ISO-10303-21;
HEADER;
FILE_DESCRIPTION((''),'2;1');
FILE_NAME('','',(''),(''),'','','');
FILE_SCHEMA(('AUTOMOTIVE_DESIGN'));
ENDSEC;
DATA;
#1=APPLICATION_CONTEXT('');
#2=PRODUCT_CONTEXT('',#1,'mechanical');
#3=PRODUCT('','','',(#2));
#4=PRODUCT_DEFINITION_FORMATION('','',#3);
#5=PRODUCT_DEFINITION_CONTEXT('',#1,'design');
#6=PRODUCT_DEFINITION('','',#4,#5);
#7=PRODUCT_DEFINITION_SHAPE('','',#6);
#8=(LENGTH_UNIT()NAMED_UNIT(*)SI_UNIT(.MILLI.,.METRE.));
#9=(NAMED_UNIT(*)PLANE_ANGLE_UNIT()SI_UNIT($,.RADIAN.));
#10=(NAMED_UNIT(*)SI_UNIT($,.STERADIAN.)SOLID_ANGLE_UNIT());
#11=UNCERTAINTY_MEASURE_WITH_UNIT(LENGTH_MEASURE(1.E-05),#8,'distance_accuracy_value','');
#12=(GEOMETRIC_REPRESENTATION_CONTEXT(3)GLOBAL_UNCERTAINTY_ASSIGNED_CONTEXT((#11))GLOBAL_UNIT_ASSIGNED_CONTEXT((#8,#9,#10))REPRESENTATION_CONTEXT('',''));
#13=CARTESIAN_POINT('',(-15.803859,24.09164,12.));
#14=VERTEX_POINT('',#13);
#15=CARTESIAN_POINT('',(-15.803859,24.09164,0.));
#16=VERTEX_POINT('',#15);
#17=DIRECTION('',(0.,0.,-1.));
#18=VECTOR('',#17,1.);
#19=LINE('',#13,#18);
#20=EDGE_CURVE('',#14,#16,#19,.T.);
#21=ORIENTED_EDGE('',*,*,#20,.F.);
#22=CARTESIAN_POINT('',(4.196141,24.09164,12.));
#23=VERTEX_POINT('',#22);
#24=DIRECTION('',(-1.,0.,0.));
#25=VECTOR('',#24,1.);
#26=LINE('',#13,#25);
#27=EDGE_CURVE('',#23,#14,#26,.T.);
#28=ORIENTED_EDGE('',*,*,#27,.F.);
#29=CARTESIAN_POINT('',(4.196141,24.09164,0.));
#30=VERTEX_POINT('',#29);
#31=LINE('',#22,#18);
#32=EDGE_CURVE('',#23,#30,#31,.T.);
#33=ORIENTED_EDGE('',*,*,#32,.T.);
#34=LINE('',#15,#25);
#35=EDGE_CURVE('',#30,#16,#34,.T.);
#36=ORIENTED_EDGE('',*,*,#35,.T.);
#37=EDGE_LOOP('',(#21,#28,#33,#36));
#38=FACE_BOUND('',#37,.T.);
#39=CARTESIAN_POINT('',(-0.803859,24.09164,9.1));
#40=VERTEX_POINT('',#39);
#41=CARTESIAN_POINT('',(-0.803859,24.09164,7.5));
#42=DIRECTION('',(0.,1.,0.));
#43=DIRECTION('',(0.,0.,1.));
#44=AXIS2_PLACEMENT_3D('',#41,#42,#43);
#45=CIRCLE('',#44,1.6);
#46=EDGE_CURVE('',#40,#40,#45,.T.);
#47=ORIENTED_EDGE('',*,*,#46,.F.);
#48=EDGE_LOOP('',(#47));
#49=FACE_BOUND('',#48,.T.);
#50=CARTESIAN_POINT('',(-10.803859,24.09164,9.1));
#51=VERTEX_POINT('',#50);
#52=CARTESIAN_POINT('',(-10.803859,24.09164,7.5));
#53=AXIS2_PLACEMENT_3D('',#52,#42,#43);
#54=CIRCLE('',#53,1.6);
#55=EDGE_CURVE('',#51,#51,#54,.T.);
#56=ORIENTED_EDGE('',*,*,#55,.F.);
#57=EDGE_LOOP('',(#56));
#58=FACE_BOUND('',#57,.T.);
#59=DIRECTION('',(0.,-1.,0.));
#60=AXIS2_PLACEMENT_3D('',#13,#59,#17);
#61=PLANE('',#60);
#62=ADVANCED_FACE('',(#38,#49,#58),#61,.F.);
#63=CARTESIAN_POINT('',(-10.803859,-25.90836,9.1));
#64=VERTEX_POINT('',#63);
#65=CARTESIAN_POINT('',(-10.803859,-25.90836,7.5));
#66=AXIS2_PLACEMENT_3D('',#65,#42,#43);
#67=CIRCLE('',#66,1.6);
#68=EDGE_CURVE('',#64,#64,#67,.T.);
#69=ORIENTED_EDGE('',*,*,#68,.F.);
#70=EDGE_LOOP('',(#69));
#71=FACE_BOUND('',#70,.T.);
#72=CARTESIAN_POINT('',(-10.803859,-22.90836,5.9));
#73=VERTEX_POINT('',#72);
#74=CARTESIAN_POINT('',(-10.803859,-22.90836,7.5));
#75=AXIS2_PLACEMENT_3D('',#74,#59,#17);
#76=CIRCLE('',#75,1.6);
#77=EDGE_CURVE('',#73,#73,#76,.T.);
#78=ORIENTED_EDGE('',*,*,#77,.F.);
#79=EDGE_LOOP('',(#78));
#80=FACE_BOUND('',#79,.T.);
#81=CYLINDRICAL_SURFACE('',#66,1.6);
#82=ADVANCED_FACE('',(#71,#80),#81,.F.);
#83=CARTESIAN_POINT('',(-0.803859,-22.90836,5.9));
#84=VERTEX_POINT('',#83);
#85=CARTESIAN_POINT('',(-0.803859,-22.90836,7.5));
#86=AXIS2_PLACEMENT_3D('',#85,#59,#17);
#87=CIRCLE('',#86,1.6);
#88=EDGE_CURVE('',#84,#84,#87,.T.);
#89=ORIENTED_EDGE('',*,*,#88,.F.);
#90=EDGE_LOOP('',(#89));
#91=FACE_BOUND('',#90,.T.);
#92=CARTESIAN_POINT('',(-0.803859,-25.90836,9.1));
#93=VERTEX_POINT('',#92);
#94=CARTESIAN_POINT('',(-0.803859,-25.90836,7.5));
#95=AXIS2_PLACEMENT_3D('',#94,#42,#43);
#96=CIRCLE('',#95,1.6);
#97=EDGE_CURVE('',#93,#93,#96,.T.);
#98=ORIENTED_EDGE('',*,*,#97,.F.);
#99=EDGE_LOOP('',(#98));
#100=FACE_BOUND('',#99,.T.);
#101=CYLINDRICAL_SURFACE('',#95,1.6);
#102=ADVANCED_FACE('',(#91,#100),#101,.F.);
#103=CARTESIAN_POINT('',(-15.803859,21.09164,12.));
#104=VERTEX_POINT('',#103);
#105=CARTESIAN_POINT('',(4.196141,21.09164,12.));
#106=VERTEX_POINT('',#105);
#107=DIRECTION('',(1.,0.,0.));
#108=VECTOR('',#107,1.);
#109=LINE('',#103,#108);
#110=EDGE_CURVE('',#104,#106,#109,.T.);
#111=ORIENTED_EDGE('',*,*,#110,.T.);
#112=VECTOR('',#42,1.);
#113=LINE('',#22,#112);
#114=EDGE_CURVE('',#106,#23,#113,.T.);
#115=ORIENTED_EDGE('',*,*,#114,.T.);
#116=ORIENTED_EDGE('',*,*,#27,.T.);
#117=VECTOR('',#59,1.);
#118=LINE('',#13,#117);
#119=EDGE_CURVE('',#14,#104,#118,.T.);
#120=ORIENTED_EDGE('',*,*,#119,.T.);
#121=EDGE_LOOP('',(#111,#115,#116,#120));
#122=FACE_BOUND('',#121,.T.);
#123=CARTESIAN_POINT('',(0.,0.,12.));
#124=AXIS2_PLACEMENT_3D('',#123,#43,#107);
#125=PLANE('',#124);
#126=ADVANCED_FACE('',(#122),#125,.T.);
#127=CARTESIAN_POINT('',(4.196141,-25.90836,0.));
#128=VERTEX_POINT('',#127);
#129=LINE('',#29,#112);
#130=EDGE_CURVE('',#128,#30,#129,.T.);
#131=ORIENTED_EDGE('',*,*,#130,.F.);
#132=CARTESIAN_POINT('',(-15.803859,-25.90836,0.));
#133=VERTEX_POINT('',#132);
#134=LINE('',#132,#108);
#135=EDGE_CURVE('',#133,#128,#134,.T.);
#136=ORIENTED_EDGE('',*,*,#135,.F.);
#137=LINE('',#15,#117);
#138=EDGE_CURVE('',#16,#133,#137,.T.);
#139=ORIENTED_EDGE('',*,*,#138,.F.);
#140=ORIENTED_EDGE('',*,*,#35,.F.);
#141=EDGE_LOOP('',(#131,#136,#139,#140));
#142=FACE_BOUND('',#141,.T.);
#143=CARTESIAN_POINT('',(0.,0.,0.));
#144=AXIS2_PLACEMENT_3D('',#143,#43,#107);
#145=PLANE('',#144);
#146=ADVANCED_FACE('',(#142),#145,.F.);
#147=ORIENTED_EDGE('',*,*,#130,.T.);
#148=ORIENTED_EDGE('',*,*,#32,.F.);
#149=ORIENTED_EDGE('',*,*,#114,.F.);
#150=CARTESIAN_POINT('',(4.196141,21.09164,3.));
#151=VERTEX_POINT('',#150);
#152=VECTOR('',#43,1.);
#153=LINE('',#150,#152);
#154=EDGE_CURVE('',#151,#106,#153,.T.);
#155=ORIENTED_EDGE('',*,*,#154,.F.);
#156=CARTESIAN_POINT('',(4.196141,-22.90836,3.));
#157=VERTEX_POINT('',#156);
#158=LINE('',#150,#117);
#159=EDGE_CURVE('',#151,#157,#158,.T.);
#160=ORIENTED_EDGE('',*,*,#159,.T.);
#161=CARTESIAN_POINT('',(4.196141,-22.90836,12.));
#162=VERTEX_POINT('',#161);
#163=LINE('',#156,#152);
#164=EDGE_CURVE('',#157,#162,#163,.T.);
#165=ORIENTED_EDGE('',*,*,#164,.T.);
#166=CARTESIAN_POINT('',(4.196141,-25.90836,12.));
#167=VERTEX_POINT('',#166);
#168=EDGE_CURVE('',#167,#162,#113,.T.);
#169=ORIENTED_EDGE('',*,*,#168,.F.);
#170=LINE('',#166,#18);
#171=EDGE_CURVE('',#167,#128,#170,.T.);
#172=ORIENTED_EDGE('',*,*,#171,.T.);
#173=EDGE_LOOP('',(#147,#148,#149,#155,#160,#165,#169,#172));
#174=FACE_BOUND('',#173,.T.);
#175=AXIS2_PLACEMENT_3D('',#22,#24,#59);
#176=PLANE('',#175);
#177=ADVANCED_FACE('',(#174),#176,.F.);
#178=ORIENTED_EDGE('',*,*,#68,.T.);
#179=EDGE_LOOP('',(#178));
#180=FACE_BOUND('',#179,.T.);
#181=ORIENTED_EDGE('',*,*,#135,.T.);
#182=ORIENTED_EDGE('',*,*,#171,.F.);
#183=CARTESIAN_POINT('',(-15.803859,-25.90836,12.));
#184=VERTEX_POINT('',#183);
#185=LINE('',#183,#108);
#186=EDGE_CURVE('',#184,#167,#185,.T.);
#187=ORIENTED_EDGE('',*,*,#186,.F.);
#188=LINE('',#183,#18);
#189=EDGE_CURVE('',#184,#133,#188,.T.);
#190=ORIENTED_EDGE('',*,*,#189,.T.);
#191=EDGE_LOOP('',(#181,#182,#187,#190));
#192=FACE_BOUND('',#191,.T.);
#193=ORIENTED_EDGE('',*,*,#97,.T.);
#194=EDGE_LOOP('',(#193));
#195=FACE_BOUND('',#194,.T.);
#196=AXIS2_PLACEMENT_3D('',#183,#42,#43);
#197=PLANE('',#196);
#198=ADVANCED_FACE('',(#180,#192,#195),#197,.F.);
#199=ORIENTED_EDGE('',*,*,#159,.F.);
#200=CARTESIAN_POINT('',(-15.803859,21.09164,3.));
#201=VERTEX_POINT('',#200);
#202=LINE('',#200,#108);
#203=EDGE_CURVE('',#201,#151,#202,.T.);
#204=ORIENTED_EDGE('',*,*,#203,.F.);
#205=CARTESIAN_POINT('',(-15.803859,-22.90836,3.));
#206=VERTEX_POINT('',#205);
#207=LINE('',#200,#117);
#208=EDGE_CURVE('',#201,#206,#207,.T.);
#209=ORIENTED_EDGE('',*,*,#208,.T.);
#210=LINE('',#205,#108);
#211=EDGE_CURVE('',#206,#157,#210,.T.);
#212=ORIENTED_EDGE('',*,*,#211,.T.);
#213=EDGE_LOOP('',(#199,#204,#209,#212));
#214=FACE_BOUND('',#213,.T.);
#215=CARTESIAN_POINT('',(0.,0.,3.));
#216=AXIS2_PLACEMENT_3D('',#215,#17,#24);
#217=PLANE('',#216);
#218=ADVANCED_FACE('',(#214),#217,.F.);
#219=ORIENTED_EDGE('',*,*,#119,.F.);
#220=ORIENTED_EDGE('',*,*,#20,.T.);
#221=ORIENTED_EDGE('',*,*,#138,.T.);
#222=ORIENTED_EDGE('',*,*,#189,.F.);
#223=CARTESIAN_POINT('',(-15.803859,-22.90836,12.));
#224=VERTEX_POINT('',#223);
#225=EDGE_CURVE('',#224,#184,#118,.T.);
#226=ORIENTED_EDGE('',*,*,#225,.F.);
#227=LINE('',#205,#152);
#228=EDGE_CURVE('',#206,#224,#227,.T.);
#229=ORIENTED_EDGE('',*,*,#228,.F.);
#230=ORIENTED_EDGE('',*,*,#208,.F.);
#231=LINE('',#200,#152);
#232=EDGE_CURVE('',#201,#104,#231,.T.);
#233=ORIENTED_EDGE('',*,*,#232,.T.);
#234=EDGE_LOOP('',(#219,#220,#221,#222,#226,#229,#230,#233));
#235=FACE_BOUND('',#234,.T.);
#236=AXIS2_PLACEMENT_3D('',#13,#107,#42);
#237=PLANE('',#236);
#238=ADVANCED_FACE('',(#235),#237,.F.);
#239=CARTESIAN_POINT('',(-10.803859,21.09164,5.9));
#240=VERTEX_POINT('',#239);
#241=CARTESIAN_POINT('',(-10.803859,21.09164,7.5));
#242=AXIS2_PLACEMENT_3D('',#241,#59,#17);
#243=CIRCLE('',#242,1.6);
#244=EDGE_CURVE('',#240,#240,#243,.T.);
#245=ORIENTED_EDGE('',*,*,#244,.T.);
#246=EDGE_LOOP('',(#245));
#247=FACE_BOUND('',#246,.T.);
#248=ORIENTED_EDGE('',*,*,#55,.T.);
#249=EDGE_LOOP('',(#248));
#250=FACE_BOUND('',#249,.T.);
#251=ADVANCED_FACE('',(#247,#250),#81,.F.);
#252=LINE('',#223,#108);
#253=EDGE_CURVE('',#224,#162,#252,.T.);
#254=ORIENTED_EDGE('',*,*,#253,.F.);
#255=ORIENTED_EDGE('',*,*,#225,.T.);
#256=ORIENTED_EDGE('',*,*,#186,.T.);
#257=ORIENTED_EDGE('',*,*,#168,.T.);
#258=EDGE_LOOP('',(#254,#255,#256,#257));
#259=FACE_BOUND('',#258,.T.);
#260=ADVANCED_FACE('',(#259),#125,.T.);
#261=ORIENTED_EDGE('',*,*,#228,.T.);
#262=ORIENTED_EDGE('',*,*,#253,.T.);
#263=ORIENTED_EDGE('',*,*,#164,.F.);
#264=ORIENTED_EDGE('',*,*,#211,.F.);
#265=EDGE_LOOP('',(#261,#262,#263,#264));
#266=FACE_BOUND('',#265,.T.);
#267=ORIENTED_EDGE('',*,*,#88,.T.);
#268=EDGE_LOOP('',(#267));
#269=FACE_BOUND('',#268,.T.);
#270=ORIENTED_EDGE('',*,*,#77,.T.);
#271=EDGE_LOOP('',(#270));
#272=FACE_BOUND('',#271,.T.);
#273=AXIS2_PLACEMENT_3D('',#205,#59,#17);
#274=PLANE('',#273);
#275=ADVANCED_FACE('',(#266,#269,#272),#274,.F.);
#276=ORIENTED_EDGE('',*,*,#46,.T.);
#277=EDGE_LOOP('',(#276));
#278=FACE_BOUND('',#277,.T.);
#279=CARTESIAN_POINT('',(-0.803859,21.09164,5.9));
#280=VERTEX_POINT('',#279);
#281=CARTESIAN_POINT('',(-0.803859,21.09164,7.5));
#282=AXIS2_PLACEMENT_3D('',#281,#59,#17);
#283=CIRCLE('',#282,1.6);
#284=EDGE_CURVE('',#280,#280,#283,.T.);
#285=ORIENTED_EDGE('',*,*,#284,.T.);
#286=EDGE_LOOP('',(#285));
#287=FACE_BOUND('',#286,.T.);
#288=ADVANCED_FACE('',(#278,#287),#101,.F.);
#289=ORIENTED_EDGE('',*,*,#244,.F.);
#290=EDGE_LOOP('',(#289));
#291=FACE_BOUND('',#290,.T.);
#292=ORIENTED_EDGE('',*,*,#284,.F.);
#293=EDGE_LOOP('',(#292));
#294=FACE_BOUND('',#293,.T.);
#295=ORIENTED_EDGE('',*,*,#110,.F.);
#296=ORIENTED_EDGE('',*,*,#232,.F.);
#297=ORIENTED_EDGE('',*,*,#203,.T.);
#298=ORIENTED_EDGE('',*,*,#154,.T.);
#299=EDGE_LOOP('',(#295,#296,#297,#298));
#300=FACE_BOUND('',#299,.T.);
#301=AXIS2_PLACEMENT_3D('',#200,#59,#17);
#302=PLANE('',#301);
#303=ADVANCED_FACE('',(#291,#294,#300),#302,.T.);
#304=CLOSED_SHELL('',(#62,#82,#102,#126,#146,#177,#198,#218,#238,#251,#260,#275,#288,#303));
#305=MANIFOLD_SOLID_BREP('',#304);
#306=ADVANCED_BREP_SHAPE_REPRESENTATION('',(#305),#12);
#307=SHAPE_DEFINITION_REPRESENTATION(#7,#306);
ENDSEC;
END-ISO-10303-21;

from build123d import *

# Parameters (mm, degrees)
SKETCH_1_W          = 20
SKETCH_1_H          = 50
EXTRUDE_1_DEPTH     = 12
SKETCH_2_W          = 20
SKETCH_2_H          = 44
CUT_EXTRUDE_1_DEPTH = 9
SKETCH_3_R          = 1.6
CUT_EXTRUDE_2_DEPTH = 51


with BuildPart() as part:
    # 草图1 → 凸台-拉伸1 (new body)
    with BuildSketch(Plane.XY):
        with Locations((-5.803858521, -0.908360129)):
            Rectangle(SKETCH_1_W, SKETCH_1_H)
    extrude(amount=EXTRUDE_1_DEPTH)

    # 草图2 → 切除-拉伸1 (cut)
    with BuildSketch(Plane.XY.offset(12)):
        with Locations((-5.803858521, -0.908360129)):
            Rectangle(SKETCH_2_W, SKETCH_2_H)
    extrude(amount=-CUT_EXTRUDE_1_DEPTH, mode=Mode.SUBTRACT)

    # 草图3 → 切除-拉伸2 (cut, through all)
    with BuildSketch(Plane(origin=(0, 24.091639871, 0), x_dir=(1, 0, 0), z_dir=(0, 1, 0))):
        with Locations((-10.803858521, -7.5)):
            Circle(SKETCH_3_R)
        with Locations((-0.803858521, -7.5)):
            Circle(SKETCH_3_R)
    extrude(amount=-CUT_EXTRUDE_2_DEPTH, mode=Mode.SUBTRACT)


solid = part.part
